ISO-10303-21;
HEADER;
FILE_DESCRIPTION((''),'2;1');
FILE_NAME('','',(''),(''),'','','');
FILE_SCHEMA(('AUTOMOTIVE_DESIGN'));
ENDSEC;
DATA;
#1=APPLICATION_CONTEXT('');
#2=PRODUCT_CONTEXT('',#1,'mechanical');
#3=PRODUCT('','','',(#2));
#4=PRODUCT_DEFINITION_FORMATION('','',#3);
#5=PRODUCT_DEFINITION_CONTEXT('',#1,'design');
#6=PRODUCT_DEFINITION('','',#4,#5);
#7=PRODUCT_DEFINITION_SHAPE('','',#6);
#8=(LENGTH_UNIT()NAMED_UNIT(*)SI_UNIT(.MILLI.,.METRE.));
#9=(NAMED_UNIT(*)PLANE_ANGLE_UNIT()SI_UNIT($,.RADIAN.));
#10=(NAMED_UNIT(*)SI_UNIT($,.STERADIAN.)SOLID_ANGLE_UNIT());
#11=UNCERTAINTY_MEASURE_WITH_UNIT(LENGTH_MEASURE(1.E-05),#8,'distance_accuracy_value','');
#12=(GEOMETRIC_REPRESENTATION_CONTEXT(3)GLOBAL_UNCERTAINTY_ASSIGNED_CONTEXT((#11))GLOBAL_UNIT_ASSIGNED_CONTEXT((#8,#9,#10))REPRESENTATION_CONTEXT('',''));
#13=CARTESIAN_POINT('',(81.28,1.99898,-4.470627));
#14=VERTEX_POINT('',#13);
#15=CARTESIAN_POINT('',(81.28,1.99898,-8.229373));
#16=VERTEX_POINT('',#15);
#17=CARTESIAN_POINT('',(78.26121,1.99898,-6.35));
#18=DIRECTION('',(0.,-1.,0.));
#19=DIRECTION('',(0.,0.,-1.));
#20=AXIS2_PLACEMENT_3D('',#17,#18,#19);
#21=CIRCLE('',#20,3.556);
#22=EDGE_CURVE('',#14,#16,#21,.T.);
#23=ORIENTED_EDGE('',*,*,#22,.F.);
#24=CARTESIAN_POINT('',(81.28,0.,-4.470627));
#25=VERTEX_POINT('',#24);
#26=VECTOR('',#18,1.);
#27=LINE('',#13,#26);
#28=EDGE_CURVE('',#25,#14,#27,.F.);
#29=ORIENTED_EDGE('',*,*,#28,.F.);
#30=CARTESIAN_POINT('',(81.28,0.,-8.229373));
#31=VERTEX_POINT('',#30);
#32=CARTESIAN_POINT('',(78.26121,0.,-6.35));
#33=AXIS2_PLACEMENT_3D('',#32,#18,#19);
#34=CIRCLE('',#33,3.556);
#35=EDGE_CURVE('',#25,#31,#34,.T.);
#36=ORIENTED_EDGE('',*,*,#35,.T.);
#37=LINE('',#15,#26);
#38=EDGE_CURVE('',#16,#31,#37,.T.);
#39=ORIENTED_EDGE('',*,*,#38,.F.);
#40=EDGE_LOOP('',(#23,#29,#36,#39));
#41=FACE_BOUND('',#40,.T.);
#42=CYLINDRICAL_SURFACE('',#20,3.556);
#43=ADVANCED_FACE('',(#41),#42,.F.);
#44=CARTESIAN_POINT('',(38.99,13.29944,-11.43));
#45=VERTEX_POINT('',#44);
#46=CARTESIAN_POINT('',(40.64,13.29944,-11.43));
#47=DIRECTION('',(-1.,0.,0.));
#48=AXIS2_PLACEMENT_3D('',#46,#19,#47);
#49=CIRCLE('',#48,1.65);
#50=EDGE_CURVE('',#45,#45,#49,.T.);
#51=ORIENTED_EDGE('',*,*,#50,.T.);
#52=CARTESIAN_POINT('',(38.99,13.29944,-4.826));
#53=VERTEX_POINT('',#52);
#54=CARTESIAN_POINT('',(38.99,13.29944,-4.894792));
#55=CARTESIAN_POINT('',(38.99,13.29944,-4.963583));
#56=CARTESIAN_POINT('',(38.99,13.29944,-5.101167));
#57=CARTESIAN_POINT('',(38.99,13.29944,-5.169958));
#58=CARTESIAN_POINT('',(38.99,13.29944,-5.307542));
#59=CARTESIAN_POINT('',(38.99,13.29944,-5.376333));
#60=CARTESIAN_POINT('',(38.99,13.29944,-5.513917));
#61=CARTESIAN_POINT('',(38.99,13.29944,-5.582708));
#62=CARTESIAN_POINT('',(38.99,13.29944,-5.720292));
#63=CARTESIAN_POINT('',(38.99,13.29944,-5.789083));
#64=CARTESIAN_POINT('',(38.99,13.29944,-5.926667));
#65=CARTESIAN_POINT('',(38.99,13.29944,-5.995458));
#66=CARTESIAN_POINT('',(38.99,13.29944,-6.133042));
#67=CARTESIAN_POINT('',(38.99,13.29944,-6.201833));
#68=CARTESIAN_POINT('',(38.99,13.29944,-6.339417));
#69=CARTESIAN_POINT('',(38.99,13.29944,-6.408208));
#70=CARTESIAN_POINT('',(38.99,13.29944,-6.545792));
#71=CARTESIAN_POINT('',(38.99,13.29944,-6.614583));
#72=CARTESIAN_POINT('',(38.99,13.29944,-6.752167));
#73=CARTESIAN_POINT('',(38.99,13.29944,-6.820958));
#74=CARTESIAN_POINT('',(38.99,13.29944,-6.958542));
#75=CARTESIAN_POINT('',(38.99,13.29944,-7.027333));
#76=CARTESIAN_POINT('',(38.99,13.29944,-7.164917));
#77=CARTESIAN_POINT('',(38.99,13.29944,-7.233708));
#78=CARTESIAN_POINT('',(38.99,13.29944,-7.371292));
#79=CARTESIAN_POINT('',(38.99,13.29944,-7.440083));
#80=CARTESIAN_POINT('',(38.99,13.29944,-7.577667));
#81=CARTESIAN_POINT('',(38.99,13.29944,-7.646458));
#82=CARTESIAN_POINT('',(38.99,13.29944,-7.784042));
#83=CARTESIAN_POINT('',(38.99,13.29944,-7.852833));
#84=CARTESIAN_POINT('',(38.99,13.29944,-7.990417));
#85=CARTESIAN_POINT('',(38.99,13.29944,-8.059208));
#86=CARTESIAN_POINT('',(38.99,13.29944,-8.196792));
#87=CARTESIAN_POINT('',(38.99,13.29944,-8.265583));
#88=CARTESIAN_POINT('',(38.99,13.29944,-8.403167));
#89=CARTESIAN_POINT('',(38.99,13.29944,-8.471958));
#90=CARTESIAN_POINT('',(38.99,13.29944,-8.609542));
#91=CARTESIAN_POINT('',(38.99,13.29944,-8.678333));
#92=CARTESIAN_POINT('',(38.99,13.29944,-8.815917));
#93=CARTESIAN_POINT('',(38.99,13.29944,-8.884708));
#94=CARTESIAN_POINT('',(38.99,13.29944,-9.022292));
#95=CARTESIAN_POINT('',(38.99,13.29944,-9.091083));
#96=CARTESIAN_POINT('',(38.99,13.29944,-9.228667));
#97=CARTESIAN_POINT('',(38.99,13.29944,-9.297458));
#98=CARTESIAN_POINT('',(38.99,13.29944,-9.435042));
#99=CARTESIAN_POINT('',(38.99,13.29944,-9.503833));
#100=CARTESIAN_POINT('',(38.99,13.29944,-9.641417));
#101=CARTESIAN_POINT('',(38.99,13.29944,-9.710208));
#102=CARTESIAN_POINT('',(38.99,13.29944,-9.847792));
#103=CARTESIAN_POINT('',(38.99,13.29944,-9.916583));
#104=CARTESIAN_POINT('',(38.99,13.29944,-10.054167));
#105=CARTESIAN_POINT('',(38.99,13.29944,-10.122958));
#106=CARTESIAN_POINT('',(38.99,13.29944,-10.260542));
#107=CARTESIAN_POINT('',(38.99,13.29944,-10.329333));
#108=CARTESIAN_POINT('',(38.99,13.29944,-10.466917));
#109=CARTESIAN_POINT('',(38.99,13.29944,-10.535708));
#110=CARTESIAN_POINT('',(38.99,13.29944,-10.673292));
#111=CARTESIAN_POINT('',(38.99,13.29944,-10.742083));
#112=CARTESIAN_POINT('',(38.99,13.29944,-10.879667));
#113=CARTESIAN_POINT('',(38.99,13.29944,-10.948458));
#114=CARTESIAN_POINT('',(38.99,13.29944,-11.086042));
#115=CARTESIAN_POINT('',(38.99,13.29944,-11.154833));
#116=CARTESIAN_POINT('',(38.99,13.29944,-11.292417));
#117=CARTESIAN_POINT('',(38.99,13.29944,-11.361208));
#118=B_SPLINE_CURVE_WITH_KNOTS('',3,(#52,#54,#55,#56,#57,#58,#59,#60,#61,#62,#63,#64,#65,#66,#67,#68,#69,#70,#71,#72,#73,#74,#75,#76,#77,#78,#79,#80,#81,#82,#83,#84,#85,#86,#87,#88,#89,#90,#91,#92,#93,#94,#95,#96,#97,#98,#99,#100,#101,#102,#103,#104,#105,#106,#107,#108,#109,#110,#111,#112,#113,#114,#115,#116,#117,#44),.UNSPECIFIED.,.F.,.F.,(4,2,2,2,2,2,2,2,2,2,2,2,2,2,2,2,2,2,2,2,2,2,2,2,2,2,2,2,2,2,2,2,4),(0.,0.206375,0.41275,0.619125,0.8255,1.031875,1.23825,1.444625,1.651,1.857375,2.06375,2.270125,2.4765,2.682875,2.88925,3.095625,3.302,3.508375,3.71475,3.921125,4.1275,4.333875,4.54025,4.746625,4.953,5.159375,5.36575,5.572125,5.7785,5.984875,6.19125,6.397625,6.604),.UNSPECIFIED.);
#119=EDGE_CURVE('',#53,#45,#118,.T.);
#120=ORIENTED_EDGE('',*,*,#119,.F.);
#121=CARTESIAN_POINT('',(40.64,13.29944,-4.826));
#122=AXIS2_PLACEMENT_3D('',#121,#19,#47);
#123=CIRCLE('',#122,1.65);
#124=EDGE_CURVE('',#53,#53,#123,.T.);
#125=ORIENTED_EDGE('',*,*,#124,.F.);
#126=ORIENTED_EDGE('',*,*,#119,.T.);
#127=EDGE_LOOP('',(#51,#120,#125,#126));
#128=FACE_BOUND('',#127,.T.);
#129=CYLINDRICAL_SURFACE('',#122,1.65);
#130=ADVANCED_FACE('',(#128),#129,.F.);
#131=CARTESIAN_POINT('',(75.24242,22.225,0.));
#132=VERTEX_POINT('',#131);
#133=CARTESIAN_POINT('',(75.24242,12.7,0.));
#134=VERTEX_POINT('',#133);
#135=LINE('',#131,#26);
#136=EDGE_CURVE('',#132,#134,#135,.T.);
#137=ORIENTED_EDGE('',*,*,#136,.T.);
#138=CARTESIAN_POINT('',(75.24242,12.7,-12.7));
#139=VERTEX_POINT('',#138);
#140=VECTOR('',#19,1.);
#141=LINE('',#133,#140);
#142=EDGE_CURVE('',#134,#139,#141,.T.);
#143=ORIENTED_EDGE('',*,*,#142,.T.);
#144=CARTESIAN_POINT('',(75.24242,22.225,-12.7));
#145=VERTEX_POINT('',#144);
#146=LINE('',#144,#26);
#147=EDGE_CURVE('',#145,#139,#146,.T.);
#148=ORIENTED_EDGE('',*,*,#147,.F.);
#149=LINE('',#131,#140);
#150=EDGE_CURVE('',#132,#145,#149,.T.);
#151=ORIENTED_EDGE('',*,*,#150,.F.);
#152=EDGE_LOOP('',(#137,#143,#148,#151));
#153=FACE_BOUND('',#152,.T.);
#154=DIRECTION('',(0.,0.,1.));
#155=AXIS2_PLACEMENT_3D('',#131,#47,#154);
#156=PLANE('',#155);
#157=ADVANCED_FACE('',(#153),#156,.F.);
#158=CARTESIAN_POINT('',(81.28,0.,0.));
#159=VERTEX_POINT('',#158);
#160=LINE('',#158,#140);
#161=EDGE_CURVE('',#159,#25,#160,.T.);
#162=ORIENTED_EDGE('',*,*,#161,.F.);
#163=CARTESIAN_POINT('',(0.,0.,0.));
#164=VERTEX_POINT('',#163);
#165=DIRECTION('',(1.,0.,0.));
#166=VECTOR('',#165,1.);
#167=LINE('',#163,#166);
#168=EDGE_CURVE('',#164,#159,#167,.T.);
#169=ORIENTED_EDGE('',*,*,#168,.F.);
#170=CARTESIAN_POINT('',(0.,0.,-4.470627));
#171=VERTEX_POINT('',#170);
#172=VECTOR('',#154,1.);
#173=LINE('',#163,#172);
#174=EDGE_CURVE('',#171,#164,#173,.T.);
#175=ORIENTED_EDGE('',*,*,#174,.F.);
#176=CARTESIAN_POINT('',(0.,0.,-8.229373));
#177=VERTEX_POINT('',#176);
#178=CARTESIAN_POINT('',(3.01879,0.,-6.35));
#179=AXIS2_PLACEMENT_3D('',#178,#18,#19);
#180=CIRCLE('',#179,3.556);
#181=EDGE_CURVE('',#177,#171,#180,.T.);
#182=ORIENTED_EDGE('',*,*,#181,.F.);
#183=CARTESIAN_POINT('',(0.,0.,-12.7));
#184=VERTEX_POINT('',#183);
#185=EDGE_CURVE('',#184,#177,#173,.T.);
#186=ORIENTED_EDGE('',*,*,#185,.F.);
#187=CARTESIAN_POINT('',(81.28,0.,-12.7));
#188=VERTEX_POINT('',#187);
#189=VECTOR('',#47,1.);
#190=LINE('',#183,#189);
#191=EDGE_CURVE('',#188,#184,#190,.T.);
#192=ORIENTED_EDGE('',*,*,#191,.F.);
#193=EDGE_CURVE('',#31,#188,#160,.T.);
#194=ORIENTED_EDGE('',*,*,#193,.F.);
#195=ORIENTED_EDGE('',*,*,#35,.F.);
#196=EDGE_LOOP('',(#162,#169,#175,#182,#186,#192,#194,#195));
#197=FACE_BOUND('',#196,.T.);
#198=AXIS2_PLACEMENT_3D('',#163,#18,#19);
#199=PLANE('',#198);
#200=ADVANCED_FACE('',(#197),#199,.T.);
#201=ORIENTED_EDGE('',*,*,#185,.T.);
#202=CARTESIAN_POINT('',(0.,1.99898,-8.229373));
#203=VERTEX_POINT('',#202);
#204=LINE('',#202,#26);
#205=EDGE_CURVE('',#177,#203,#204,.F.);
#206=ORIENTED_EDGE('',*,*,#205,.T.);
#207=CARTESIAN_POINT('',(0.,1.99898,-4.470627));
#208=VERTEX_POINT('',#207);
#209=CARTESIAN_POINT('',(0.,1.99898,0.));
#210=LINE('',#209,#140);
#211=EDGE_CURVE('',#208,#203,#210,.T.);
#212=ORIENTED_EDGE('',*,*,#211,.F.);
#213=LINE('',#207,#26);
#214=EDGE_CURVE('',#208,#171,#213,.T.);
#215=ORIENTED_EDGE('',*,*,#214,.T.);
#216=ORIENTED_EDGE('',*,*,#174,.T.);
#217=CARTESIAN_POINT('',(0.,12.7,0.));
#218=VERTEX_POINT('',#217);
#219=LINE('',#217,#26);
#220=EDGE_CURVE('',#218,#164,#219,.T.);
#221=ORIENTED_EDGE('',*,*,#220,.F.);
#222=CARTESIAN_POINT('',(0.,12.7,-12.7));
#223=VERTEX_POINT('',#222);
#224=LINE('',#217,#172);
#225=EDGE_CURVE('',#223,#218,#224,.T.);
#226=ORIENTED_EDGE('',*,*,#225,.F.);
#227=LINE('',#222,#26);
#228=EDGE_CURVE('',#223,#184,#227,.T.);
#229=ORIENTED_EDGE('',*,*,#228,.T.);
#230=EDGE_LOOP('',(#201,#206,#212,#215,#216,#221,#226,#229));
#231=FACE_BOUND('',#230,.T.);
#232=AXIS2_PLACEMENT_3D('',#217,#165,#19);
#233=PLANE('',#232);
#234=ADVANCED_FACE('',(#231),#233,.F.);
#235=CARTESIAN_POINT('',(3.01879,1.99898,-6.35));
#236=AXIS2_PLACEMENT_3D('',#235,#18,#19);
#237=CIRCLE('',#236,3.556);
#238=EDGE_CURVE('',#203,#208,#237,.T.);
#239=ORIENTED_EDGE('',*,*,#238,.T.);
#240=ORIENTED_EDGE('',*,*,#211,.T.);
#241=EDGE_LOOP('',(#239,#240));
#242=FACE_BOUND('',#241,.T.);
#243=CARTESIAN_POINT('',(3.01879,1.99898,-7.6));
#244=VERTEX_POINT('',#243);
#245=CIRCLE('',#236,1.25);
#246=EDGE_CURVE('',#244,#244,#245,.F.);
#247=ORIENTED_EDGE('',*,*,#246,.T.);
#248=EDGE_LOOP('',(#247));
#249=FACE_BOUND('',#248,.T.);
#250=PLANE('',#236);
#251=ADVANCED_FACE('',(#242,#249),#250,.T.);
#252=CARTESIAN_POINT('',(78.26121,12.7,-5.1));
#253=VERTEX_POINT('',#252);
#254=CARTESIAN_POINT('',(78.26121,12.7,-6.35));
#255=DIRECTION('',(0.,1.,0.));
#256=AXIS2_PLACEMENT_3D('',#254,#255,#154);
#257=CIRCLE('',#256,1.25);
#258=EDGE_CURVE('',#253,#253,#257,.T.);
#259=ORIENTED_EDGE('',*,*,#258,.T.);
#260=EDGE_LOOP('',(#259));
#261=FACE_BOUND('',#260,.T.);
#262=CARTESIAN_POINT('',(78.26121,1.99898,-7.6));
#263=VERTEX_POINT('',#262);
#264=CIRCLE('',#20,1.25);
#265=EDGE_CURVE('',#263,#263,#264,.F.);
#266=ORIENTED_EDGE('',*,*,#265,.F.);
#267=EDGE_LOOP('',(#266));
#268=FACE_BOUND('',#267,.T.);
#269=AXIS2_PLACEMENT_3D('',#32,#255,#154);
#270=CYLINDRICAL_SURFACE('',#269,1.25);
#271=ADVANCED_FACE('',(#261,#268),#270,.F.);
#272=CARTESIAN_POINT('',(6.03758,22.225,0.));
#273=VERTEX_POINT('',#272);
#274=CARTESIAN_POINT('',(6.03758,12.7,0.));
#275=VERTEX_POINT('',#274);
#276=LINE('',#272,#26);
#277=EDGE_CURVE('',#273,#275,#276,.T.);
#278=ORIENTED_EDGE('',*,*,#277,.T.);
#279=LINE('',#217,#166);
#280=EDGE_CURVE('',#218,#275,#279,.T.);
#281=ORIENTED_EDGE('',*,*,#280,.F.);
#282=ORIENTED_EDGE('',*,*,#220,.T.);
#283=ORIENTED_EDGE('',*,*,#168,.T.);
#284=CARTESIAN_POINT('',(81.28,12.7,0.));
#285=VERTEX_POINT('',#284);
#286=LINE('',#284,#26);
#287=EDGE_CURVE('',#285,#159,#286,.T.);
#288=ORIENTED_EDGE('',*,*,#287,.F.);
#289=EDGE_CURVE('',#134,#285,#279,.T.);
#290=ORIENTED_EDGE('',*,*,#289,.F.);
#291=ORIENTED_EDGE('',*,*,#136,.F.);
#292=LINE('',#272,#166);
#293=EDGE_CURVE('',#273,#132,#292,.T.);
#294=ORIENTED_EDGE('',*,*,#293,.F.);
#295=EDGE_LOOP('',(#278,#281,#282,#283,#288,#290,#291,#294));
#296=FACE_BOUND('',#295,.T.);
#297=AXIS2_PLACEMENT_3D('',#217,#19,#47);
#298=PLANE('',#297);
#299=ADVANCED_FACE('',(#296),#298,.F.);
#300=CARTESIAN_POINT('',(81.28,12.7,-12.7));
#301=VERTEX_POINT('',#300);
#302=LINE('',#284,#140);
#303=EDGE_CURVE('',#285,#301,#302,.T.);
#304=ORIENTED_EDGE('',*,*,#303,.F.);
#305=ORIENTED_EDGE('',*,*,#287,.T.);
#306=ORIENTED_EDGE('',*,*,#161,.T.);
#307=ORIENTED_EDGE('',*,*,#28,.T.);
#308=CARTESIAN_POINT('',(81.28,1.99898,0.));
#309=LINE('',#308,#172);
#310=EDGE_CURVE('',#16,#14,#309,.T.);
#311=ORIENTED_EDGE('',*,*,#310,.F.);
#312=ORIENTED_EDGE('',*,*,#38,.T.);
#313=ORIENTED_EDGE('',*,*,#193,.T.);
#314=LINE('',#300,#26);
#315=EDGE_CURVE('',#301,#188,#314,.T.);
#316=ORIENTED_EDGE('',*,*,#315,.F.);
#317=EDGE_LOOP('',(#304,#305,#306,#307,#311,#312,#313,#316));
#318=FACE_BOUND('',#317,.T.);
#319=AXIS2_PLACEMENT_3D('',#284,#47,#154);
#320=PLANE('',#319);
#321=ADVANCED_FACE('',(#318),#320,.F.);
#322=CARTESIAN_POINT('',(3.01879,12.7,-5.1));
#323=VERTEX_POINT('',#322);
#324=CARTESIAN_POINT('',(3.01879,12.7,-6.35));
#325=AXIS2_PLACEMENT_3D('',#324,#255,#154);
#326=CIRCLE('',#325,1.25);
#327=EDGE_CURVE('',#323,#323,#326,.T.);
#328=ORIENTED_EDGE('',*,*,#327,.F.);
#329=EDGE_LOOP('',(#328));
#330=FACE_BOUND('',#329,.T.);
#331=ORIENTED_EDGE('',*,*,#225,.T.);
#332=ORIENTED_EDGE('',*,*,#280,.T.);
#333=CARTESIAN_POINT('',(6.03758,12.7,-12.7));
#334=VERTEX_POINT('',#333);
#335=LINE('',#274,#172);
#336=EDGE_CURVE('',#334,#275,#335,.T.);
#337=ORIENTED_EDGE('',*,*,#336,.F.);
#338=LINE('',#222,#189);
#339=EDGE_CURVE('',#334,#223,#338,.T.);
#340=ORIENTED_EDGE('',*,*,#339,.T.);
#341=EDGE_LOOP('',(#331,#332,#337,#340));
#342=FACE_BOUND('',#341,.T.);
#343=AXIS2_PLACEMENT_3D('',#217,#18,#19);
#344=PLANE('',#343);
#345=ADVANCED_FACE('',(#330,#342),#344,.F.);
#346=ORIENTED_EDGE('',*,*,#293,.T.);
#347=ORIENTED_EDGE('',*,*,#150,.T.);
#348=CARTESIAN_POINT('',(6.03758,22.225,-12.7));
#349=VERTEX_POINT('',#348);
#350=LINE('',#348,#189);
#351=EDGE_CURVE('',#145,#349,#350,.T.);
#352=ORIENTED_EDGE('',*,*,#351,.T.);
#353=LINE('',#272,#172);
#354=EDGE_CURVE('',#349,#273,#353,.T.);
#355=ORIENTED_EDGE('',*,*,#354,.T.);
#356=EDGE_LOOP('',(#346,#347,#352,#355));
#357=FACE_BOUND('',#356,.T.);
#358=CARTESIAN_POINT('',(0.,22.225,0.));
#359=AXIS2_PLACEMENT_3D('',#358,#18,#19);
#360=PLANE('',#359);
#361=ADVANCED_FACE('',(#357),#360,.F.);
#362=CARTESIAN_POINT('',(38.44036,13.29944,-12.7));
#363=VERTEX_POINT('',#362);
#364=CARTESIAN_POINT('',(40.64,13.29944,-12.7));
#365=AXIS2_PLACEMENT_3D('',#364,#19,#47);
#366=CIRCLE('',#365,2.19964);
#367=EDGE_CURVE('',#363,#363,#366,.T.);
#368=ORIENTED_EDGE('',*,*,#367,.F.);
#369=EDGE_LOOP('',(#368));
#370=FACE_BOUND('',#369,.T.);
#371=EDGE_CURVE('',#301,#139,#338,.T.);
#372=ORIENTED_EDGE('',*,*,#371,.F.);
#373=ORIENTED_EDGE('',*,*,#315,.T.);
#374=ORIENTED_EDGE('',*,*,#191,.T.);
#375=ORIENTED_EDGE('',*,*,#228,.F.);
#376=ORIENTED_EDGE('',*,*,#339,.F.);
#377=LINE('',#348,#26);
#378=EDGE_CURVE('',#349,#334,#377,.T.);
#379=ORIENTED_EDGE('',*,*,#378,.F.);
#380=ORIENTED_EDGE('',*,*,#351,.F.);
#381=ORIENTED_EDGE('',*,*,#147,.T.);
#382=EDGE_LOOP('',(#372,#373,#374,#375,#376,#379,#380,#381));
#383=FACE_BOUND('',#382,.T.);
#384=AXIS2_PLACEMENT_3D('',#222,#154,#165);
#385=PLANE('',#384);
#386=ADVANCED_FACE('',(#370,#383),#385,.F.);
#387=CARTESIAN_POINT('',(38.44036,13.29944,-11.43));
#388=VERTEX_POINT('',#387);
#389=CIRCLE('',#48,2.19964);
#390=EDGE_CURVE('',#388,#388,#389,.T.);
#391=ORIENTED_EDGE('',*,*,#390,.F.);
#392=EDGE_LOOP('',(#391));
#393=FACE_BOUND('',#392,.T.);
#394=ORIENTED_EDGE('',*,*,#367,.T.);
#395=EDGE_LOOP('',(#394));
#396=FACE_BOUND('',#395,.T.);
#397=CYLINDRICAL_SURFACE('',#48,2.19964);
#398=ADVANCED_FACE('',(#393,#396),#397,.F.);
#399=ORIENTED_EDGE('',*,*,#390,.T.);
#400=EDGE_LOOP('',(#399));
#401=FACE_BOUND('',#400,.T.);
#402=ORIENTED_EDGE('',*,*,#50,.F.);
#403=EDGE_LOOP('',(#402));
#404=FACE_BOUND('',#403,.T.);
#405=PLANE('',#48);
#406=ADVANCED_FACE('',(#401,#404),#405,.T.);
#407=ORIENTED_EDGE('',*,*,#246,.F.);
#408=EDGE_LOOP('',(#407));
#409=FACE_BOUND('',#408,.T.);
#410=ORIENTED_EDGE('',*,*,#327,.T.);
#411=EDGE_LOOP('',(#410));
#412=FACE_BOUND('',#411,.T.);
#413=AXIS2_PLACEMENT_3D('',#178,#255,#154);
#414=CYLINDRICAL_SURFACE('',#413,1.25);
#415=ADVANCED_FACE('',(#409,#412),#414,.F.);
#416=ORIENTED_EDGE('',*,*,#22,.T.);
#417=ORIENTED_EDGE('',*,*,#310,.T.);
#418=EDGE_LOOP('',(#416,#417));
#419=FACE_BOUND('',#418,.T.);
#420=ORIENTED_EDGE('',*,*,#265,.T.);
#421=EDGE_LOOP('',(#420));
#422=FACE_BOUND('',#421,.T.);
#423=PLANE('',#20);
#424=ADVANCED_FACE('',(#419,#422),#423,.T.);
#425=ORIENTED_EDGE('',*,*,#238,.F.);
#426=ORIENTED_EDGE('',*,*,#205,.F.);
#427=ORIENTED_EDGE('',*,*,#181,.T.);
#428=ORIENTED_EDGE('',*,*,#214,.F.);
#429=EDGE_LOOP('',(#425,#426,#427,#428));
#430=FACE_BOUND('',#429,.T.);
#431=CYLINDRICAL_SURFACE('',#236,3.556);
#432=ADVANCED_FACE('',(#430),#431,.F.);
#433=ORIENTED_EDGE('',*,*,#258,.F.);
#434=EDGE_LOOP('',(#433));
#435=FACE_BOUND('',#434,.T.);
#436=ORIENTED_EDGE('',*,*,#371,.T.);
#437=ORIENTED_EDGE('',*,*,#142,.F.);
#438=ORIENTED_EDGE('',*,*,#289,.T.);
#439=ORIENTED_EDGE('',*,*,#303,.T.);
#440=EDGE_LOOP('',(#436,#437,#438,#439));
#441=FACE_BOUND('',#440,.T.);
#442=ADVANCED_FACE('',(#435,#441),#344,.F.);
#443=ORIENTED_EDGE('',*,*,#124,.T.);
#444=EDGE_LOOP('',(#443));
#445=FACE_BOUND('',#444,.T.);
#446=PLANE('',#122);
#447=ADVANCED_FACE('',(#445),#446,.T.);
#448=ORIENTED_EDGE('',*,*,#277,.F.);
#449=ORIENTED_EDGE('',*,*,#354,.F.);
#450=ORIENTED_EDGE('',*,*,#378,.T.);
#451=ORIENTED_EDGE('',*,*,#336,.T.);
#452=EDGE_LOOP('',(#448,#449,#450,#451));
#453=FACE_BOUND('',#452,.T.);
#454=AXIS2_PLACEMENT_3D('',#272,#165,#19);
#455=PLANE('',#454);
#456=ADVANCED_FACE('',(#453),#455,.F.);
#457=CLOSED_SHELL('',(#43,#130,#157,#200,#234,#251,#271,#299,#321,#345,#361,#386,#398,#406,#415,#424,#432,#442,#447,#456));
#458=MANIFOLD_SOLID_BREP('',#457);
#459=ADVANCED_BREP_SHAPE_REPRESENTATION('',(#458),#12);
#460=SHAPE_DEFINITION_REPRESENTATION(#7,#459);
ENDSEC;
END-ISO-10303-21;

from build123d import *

# Parameters (mm, degrees)
SKETCH1_W           = 81.28
SKETCH1_H           = 12.7
BOSS_EXTRUDE1_DEPTH = 12.7
SKETCH2_W           = 69.20484
SKETCH2_H           = 12.7
BOSS_EXTRUDE2_DEPTH = 9.525
SKETCH3_R           = 1.25
CUT_EXTRUDE2_DEPTH  = 84.24072561
SKETCH5_R           = 3.556
CUT_EXTRUDE3_DEPTH  = 1.99898
SKETCH6_R           = 2.19964
CUT_EXTRUDE4_DEPTH  = 1.27
SKETCH7_R           = 1.650000002
CUT_EXTRUDE5_DEPTH  = 6.604


with BuildPart() as part:
    # Sketch1 → Boss-Extrude1 (new body)
    with BuildSketch(Plane(origin=(0, 0, 0), x_dir=(1, 0, 0), z_dir=(0, 1, 0))):
        with Locations((40.64, 6.35)):
            Rectangle(SKETCH1_W, SKETCH1_H)
    extrude(amount=BOSS_EXTRUDE1_DEPTH)

    # Sketch2 → Boss-Extrude2 (add)
    with BuildSketch(Plane(origin=(0, 12.7, 0), x_dir=(1, 0, 0), z_dir=(0, 1, 0))):
        with Locations((40.64, 6.35)):
            Rectangle(SKETCH2_W, SKETCH2_H)
    extrude(amount=BOSS_EXTRUDE2_DEPTH)

    # Sketch3 → Cut-Extrude2 (cut, through all)
    with BuildSketch(Plane(origin=(0, 12.7, 0), x_dir=(1, 0, 0), z_dir=(0, 1, 0))):
        with Locations(Location((3.01879, 6.35, 0), (0, 0, 270))):
            Circle(SKETCH3_R)
        with Locations(Location((78.26121, 6.35, 0), (0, 0, 270))):
            Circle(SKETCH3_R)
    extrude(amount=-CUT_EXTRUDE2_DEPTH, mode=Mode.SUBTRACT)

    # Sketch5 → Cut-Extrude3 (cut)
    with BuildSketch(Plane.XZ):
        with Locations((3.01879, -6.35)):
            Circle(SKETCH5_R)
        with Locations((78.26121, -6.35)):
            Circle(SKETCH5_R)
    extrude(amount=-CUT_EXTRUDE3_DEPTH, mode=Mode.SUBTRACT)

    # Sketch6 → Cut-Extrude4 (cut)
    with BuildSketch(Plane(origin=(0, 0, -12.7), x_dir=(-1, 0, 0), z_dir=(0, 0, -1))):
        with Locations((-40.64, 13.29944)):
            Circle(SKETCH6_R)
    extrude(amount=-CUT_EXTRUDE4_DEPTH, mode=Mode.SUBTRACT)

    # Sketch7 → Cut-Extrude5 (cut)
    with BuildSketch(Plane(origin=(0, 0, -11.43), x_dir=(-1, 0, 0), z_dir=(0, 0, -1))):
        with Locations((-40.64, 13.29944)):
            Circle(SKETCH7_R)
    extrude(amount=-CUT_EXTRUDE5_DEPTH, mode=Mode.SUBTRACT)


solid = part.part
